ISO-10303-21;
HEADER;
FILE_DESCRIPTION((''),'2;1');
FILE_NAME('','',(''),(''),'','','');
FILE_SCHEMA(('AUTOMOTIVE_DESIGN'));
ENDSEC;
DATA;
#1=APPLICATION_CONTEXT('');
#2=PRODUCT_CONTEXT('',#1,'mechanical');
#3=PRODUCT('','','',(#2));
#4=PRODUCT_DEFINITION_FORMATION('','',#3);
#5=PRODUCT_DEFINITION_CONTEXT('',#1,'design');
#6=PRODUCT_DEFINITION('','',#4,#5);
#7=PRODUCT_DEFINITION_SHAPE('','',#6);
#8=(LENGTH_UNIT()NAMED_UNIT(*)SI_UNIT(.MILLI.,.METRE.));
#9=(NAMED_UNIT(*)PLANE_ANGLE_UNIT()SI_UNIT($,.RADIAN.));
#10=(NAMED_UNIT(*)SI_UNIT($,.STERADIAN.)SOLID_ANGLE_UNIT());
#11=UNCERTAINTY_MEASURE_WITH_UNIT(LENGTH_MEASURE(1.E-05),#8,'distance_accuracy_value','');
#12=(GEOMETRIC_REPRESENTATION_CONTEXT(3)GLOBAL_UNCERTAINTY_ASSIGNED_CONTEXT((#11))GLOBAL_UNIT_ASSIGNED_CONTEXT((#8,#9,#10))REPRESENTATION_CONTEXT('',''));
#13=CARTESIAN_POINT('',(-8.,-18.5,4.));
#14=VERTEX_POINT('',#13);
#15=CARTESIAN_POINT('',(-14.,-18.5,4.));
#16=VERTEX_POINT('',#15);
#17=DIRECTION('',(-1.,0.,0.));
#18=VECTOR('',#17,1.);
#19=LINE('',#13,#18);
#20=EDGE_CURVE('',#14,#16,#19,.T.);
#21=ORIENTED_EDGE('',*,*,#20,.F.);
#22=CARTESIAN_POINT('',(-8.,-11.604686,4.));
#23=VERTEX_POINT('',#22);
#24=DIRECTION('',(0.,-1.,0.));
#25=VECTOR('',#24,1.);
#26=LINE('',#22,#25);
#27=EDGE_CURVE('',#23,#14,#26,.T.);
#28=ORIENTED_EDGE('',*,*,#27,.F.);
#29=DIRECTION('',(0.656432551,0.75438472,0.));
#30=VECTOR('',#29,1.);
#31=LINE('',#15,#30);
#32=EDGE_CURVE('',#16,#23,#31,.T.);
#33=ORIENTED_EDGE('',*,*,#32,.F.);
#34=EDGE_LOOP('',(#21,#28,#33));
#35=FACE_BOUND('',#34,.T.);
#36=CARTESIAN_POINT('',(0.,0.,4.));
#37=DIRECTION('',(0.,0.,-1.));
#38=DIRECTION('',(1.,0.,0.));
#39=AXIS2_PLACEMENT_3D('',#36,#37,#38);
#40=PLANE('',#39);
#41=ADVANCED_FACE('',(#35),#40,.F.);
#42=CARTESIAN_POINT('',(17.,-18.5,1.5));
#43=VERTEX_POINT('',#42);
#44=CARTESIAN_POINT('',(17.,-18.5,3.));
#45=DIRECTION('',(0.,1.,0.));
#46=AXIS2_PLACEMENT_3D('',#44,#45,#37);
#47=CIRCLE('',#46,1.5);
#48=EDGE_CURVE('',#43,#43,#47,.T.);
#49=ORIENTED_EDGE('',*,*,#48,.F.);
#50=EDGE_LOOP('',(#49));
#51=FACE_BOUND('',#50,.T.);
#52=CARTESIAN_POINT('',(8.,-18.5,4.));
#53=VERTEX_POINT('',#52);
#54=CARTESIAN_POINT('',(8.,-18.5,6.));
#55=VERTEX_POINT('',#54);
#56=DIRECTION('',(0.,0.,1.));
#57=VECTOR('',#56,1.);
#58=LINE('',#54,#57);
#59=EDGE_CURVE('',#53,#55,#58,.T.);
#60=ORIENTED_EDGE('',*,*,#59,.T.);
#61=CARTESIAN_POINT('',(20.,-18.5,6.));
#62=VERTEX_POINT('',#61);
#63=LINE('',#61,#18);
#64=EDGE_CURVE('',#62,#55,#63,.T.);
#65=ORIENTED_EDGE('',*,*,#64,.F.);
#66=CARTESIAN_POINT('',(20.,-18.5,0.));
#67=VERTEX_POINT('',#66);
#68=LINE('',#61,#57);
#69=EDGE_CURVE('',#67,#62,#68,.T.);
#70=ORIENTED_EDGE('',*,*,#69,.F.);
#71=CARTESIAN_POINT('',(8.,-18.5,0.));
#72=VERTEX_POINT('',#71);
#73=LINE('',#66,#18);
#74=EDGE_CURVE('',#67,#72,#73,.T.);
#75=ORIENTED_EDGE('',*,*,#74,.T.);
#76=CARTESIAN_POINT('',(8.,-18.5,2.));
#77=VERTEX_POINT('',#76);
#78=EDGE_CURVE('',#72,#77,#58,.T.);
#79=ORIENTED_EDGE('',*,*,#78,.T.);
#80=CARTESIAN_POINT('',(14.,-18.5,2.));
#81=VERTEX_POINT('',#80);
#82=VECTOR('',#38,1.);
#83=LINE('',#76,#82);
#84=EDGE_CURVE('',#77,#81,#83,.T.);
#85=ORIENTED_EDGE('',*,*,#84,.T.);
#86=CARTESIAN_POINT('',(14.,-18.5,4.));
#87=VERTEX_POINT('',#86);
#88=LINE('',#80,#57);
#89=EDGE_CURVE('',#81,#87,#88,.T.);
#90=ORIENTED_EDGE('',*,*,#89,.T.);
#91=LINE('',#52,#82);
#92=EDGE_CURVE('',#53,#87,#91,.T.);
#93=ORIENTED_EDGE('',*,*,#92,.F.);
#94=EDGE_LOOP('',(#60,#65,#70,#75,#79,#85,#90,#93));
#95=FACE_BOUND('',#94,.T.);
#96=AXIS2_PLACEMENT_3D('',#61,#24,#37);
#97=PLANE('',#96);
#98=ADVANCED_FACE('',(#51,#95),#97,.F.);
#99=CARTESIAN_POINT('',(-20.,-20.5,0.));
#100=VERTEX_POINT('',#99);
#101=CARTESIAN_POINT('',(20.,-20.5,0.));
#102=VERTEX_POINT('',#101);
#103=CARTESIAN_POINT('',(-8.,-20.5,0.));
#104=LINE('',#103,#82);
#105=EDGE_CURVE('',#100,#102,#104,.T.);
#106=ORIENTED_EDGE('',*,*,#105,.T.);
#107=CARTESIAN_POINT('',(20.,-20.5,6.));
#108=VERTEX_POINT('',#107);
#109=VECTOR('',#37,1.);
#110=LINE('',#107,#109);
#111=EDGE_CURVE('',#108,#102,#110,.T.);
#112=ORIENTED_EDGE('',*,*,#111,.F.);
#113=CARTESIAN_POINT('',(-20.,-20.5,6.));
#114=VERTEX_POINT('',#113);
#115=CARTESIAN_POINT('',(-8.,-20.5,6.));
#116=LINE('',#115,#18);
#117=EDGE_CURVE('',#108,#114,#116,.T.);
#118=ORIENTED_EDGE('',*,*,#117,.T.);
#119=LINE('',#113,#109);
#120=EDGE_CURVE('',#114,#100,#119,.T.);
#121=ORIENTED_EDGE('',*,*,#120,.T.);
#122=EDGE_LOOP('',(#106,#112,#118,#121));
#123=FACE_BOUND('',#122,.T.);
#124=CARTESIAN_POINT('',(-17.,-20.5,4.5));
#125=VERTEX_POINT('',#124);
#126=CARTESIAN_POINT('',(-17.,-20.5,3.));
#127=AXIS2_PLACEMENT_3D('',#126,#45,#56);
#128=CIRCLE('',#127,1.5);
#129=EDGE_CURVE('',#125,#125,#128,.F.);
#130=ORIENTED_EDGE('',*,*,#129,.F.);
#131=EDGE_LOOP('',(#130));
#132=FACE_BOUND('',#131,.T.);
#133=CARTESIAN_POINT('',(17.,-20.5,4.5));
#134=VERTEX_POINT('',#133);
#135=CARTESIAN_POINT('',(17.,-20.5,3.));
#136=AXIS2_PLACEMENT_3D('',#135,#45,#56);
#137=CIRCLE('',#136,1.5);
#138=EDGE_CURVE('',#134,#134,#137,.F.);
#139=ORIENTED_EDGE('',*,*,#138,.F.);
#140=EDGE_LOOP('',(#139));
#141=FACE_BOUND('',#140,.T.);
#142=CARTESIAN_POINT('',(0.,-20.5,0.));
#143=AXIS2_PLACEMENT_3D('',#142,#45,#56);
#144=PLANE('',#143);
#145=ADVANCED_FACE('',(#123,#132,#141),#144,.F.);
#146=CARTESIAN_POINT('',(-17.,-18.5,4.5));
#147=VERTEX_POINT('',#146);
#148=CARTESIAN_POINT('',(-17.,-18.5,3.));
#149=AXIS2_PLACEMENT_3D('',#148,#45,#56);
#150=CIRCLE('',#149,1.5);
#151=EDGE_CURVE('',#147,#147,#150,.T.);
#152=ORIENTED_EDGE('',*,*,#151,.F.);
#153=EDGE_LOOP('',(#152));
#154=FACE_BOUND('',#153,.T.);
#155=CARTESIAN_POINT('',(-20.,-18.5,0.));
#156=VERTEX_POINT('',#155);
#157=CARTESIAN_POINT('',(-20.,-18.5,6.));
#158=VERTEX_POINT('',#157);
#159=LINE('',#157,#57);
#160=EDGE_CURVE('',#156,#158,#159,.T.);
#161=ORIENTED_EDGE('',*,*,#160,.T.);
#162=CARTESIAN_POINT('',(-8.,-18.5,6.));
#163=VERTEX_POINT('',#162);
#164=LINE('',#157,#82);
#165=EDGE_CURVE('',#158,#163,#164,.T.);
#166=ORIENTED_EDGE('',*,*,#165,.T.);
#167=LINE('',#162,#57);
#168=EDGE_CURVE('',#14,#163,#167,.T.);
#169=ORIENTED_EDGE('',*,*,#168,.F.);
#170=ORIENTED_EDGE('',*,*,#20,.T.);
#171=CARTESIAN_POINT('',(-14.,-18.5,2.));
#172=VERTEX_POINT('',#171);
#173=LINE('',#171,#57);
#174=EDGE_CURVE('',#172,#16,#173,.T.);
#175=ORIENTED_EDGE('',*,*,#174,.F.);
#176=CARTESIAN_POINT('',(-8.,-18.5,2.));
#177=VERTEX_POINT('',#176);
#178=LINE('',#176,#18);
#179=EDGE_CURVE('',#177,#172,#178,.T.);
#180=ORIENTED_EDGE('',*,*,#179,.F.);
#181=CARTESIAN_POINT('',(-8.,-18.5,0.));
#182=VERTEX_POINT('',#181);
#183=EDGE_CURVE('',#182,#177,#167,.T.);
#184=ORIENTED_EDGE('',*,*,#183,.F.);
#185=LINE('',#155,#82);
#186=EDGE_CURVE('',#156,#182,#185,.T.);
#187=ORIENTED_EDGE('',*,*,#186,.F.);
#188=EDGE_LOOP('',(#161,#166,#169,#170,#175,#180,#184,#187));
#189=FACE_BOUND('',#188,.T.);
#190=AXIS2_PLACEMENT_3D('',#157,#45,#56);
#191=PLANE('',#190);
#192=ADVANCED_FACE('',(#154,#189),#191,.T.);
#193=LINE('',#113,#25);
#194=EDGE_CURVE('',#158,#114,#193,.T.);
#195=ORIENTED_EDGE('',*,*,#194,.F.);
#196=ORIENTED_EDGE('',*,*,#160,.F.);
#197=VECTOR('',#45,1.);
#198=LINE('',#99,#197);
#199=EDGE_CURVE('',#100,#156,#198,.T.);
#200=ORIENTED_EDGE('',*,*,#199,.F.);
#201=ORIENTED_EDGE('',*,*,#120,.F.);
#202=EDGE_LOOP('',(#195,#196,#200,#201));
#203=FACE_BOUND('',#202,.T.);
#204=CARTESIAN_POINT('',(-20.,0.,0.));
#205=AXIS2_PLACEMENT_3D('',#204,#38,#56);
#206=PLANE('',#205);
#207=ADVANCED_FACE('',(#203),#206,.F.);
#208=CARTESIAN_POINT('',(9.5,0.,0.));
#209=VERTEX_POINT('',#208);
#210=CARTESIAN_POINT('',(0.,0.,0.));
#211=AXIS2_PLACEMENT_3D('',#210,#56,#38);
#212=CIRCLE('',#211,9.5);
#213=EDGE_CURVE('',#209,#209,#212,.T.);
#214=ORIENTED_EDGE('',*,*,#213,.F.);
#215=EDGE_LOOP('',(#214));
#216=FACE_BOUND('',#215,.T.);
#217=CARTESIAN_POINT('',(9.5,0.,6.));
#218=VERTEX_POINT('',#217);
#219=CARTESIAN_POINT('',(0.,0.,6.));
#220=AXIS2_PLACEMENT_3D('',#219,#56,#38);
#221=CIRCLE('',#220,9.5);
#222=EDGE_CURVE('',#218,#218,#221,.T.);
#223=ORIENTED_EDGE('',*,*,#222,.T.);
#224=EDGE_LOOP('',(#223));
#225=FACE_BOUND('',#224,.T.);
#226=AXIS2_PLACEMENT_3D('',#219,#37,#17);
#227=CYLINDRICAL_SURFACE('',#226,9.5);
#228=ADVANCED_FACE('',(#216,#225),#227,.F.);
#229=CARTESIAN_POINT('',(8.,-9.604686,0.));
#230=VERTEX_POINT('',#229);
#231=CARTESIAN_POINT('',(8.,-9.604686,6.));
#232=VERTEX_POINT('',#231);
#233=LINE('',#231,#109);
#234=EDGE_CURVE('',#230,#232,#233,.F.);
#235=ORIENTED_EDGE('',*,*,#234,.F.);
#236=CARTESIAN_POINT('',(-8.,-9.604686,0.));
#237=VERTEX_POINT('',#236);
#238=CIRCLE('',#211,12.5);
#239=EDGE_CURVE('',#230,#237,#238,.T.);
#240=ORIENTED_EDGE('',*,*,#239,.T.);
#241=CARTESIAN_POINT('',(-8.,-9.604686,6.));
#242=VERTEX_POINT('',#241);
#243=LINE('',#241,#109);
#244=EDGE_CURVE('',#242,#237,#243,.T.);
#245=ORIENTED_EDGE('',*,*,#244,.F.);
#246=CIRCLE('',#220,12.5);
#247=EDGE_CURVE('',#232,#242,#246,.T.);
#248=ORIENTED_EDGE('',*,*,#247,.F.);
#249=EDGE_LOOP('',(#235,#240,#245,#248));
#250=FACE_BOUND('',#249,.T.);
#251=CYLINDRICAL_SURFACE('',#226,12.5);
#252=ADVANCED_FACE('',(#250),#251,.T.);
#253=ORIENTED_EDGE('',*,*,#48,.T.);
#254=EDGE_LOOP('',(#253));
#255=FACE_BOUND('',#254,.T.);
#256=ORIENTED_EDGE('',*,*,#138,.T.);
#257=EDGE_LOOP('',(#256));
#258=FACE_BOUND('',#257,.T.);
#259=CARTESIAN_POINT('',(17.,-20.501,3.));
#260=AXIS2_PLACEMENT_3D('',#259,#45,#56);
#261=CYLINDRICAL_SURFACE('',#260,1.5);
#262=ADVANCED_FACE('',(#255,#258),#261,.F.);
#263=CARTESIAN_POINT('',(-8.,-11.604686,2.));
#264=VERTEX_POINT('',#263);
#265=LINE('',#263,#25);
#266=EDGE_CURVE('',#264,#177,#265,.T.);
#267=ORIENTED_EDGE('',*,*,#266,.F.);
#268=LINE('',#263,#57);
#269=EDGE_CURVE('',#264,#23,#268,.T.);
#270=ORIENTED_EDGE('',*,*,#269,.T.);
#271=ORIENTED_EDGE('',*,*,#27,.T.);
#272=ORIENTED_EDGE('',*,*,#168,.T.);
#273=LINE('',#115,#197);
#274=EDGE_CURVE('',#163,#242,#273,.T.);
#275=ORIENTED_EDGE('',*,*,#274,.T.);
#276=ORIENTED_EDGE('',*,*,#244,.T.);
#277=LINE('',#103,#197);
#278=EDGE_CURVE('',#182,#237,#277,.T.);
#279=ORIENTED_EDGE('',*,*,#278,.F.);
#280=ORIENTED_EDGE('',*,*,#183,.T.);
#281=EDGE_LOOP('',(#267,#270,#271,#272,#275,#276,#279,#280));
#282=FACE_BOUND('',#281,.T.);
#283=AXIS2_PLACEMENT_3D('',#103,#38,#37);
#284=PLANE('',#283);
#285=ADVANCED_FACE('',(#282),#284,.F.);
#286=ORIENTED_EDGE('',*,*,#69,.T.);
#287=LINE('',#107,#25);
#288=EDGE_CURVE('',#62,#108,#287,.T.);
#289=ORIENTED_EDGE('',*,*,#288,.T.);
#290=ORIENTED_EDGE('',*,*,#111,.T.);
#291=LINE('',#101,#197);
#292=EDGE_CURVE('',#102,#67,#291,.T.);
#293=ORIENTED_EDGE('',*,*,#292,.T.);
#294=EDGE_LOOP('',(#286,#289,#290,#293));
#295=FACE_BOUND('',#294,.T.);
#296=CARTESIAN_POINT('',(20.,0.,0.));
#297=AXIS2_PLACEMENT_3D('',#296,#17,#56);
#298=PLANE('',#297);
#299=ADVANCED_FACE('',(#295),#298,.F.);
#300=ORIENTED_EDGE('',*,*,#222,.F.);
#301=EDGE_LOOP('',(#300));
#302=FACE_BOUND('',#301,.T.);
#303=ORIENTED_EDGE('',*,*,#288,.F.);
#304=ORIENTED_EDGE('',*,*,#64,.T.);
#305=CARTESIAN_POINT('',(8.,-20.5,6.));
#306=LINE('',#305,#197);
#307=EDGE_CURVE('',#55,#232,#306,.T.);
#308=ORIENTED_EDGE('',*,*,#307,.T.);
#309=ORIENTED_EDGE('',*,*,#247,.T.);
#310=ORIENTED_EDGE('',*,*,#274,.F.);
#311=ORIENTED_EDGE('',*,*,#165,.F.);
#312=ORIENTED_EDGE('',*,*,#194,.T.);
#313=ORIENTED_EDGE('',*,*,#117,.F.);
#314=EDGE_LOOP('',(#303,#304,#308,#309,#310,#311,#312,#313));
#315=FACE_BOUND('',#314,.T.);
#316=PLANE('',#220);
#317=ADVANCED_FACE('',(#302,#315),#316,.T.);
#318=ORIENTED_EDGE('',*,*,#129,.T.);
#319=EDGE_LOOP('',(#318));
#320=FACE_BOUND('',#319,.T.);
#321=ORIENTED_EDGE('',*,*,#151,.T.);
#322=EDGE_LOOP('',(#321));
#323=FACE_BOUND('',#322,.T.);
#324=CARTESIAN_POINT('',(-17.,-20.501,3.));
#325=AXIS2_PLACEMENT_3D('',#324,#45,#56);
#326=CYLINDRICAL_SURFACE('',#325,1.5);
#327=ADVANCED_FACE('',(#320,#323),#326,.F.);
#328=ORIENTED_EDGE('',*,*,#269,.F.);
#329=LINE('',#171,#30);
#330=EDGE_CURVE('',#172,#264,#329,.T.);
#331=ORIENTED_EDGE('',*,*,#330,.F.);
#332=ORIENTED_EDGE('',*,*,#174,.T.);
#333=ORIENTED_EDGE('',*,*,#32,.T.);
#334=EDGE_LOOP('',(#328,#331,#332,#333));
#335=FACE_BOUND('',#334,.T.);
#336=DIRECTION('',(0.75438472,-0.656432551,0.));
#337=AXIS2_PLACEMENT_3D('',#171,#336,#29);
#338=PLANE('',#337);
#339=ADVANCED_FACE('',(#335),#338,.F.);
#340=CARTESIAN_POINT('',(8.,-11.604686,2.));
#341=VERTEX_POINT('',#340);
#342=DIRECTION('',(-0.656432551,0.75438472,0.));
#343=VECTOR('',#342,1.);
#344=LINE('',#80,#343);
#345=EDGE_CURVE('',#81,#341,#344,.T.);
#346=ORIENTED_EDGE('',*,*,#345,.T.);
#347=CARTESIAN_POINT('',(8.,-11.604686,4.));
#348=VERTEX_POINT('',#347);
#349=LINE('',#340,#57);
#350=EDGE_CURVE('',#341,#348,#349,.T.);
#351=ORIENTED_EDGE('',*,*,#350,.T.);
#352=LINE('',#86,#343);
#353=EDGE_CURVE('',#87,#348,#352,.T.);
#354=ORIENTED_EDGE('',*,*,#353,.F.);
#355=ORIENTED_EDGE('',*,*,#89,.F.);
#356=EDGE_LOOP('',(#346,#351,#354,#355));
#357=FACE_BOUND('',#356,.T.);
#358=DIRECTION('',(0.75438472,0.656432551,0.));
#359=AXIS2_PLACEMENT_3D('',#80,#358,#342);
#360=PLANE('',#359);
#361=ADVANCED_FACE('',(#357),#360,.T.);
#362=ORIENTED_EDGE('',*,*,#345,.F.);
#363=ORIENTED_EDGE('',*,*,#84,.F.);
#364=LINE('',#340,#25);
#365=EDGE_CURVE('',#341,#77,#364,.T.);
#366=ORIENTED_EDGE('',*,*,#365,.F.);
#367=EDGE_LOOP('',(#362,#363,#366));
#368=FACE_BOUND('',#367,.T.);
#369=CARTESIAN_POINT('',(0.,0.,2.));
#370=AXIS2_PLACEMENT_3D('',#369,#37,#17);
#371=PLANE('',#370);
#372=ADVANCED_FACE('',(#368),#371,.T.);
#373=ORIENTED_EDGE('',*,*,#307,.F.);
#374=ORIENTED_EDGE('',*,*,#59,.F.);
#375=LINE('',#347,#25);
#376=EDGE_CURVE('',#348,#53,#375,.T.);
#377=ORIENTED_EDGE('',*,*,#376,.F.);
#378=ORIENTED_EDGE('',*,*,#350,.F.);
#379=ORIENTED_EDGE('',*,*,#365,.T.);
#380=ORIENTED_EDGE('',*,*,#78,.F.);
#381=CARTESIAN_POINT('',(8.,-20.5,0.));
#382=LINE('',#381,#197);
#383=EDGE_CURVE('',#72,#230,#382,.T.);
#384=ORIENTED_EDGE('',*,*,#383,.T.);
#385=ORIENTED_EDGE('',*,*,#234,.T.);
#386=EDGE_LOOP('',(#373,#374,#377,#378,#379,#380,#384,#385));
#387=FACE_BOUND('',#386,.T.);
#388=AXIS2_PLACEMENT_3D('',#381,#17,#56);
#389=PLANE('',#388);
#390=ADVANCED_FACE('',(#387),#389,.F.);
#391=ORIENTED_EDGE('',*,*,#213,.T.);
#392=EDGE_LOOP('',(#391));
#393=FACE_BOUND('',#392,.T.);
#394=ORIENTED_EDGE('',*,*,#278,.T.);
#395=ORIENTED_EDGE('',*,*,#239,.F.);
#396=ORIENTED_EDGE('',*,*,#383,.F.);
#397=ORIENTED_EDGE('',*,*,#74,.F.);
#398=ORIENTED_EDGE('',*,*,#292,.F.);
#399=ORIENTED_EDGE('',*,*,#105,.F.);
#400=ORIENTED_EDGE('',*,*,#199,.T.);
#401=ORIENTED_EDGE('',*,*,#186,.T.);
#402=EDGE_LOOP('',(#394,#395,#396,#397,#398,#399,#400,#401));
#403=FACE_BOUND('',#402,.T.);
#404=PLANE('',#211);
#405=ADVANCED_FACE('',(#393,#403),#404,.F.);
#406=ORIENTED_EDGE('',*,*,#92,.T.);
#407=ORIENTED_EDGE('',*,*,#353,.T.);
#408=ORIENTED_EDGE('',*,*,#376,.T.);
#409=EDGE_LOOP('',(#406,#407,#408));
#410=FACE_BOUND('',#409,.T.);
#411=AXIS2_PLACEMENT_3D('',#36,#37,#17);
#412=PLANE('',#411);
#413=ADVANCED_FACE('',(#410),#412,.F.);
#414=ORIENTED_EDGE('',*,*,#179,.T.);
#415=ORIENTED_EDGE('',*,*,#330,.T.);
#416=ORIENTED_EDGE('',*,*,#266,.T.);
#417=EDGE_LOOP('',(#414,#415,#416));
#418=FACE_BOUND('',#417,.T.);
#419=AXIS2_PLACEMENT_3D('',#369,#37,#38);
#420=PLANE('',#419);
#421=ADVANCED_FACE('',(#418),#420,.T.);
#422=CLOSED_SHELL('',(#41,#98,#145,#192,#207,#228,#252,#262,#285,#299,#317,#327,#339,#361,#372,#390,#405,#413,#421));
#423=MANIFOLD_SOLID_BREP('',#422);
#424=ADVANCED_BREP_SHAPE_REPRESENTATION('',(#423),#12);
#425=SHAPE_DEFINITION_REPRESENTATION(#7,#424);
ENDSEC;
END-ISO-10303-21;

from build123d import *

# Parameters (mm, degrees)
SKETCH1_R                            = 12.5
SKETCH1_R_2                          = 9.5
BOSS_EXTRUDE1_DEPTH                  = 6
SKETCH2_W                            = 16
SKETCH2_H                            = 6
BOSS_EXTRUDE2_DEPTH                  = 8
BOSS_EXTRUDE2_DIRECTION_2_REACH      = 30.588
BOSS_EXTRUDE2_DIRECTION_2_END_RADIUS = 12.5
SKETCH3_W                            = 6
SKETCH3_H                            = 2
BOSS_EXTRUDE3_DEPTH                  = 12
BOSS_EXTRUDE4_DEPTH                  = 1
CUT_EXTRUDE1_REACH                   = 39.376
SKETCH7_R                            = 1.5


with BuildPart() as part:
    # Sketch1 → Boss-Extrude1 (new body)
    with BuildSketch(Plane.XY):
        Circle(SKETCH1_R)
        Circle(SKETCH1_R_2, mode=Mode.SUBTRACT)
    extrude(amount=BOSS_EXTRUDE1_DEPTH)

    # Sketch2 → Boss-Extrude2 (add)
    with BuildSketch(Plane(origin=(0, -12.5, 0), x_dir=(-1, 0, 0), z_dir=(0, -1, 0))):
        with Locations((0, -3)):
            Rectangle(SKETCH2_W, SKETCH2_H)
    extrude(amount=BOSS_EXTRUDE2_DEPTH)

    # Boss-Extrude2 direction 2: up to this cylinder (the profile starts outside it)
    boss_extrude2_direction_2_end = Plane(origin=(0, 0, 3), z_dir=(0, 0, -1)) * Cylinder(BOSS_EXTRUDE2_DIRECTION_2_END_RADIUS, 87.176, mode=Mode.PRIVATE)
    # Sketch2 → Boss-Extrude2 direction 2 (add, up to the surface)
    with BuildSketch(Plane(origin=(0, -12.5, 0), x_dir=(-1, 0, 0), z_dir=(0, -1, 0)), mode=Mode.PRIVATE) as boss_extrude2_direction_2_sk1:
        with Locations((0, -3)):
            Rectangle(SKETCH2_W, SKETCH2_H)
    boss_extrude2_direction_2_tool1 = extrude(boss_extrude2_direction_2_sk1.sketch, amount=-BOSS_EXTRUDE2_DIRECTION_2_REACH, mode=Mode.PRIVATE) - boss_extrude2_direction_2_end
    add(boss_extrude2_direction_2_tool1.solids().sort_by_distance((0, -12.5, 3))[0])
    add(boss_extrude2_direction_2_tool1.solids().sort_by_distance((0, -12.5, 3))[1])

    # Sketch3 → Boss-Extrude3 (add)
    with BuildSketch(Plane(origin=(8, 0, 0), x_dir=(0, 0, -1), z_dir=(1, 0, 0))):
        with Locations((-3, -19.5)):
            Rectangle(SKETCH3_W, SKETCH3_H)
    boss_extrude3 = extrude(amount=BOSS_EXTRUDE3_DEPTH)

    # Mirror1: Boss-Extrude3 across plane
    add(boss_extrude3.mirror(Plane(origin=(0, 0, 0), x_dir=(0, 0, 1), z_dir=(1, 0, 0))))

    # Sketch6 → Boss-Extrude4 (add, symmetric)
    with BuildSketch(Plane.XY.offset(3)):
        Polygon((14, -18.5), (8, -11.604686356), (8, -18.5), align=None)
    boss_extrude4 = extrude(amount=BOSS_EXTRUDE4_DEPTH, both=True)

    # Mirror2: Boss-Extrude4 across plane
    add(boss_extrude4.mirror(Plane(origin=(0, 0, 0), x_dir=(0, 0, 1), z_dir=(1, 0, 0))))

    # Sketch7 → Cut-Extrude1 (cut, up to next)
    with BuildSketch(Plane(origin=(0, -18.5, 0), x_dir=(1, 0, 0), z_dir=(0, 1, 0)), mode=Mode.PRIVATE) as cut_extrude1_sk1:
        with Locations(Location((-17, -3, 0), (0, 0, 270))):
            Circle(SKETCH7_R)
    cut_extrude1_tool1 = extrude(cut_extrude1_sk1.sketch, amount=-CUT_EXTRUDE1_REACH, mode=Mode.PRIVATE) & part.part
    # Sketch7 → Cut-Extrude1 (cut, up to next)
    with BuildSketch(Plane(origin=(0, -18.5, 0), x_dir=(1, 0, 0), z_dir=(0, 1, 0)), mode=Mode.PRIVATE) as cut_extrude1_sk2:
        with Locations(Location((17, -3, 0), (0, 0, 270))):
            Circle(SKETCH7_R)
    cut_extrude1_tool2 = extrude(cut_extrude1_sk2.sketch, amount=-CUT_EXTRUDE1_REACH, mode=Mode.PRIVATE) & part.part
    add(cut_extrude1_tool1.solids().sort_by_distance((-17, -18.5, 3))[0], mode=Mode.SUBTRACT)
    add(cut_extrude1_tool2.solids().sort_by_distance((17, -18.5, 3))[0], mode=Mode.SUBTRACT)


solid = part.part
